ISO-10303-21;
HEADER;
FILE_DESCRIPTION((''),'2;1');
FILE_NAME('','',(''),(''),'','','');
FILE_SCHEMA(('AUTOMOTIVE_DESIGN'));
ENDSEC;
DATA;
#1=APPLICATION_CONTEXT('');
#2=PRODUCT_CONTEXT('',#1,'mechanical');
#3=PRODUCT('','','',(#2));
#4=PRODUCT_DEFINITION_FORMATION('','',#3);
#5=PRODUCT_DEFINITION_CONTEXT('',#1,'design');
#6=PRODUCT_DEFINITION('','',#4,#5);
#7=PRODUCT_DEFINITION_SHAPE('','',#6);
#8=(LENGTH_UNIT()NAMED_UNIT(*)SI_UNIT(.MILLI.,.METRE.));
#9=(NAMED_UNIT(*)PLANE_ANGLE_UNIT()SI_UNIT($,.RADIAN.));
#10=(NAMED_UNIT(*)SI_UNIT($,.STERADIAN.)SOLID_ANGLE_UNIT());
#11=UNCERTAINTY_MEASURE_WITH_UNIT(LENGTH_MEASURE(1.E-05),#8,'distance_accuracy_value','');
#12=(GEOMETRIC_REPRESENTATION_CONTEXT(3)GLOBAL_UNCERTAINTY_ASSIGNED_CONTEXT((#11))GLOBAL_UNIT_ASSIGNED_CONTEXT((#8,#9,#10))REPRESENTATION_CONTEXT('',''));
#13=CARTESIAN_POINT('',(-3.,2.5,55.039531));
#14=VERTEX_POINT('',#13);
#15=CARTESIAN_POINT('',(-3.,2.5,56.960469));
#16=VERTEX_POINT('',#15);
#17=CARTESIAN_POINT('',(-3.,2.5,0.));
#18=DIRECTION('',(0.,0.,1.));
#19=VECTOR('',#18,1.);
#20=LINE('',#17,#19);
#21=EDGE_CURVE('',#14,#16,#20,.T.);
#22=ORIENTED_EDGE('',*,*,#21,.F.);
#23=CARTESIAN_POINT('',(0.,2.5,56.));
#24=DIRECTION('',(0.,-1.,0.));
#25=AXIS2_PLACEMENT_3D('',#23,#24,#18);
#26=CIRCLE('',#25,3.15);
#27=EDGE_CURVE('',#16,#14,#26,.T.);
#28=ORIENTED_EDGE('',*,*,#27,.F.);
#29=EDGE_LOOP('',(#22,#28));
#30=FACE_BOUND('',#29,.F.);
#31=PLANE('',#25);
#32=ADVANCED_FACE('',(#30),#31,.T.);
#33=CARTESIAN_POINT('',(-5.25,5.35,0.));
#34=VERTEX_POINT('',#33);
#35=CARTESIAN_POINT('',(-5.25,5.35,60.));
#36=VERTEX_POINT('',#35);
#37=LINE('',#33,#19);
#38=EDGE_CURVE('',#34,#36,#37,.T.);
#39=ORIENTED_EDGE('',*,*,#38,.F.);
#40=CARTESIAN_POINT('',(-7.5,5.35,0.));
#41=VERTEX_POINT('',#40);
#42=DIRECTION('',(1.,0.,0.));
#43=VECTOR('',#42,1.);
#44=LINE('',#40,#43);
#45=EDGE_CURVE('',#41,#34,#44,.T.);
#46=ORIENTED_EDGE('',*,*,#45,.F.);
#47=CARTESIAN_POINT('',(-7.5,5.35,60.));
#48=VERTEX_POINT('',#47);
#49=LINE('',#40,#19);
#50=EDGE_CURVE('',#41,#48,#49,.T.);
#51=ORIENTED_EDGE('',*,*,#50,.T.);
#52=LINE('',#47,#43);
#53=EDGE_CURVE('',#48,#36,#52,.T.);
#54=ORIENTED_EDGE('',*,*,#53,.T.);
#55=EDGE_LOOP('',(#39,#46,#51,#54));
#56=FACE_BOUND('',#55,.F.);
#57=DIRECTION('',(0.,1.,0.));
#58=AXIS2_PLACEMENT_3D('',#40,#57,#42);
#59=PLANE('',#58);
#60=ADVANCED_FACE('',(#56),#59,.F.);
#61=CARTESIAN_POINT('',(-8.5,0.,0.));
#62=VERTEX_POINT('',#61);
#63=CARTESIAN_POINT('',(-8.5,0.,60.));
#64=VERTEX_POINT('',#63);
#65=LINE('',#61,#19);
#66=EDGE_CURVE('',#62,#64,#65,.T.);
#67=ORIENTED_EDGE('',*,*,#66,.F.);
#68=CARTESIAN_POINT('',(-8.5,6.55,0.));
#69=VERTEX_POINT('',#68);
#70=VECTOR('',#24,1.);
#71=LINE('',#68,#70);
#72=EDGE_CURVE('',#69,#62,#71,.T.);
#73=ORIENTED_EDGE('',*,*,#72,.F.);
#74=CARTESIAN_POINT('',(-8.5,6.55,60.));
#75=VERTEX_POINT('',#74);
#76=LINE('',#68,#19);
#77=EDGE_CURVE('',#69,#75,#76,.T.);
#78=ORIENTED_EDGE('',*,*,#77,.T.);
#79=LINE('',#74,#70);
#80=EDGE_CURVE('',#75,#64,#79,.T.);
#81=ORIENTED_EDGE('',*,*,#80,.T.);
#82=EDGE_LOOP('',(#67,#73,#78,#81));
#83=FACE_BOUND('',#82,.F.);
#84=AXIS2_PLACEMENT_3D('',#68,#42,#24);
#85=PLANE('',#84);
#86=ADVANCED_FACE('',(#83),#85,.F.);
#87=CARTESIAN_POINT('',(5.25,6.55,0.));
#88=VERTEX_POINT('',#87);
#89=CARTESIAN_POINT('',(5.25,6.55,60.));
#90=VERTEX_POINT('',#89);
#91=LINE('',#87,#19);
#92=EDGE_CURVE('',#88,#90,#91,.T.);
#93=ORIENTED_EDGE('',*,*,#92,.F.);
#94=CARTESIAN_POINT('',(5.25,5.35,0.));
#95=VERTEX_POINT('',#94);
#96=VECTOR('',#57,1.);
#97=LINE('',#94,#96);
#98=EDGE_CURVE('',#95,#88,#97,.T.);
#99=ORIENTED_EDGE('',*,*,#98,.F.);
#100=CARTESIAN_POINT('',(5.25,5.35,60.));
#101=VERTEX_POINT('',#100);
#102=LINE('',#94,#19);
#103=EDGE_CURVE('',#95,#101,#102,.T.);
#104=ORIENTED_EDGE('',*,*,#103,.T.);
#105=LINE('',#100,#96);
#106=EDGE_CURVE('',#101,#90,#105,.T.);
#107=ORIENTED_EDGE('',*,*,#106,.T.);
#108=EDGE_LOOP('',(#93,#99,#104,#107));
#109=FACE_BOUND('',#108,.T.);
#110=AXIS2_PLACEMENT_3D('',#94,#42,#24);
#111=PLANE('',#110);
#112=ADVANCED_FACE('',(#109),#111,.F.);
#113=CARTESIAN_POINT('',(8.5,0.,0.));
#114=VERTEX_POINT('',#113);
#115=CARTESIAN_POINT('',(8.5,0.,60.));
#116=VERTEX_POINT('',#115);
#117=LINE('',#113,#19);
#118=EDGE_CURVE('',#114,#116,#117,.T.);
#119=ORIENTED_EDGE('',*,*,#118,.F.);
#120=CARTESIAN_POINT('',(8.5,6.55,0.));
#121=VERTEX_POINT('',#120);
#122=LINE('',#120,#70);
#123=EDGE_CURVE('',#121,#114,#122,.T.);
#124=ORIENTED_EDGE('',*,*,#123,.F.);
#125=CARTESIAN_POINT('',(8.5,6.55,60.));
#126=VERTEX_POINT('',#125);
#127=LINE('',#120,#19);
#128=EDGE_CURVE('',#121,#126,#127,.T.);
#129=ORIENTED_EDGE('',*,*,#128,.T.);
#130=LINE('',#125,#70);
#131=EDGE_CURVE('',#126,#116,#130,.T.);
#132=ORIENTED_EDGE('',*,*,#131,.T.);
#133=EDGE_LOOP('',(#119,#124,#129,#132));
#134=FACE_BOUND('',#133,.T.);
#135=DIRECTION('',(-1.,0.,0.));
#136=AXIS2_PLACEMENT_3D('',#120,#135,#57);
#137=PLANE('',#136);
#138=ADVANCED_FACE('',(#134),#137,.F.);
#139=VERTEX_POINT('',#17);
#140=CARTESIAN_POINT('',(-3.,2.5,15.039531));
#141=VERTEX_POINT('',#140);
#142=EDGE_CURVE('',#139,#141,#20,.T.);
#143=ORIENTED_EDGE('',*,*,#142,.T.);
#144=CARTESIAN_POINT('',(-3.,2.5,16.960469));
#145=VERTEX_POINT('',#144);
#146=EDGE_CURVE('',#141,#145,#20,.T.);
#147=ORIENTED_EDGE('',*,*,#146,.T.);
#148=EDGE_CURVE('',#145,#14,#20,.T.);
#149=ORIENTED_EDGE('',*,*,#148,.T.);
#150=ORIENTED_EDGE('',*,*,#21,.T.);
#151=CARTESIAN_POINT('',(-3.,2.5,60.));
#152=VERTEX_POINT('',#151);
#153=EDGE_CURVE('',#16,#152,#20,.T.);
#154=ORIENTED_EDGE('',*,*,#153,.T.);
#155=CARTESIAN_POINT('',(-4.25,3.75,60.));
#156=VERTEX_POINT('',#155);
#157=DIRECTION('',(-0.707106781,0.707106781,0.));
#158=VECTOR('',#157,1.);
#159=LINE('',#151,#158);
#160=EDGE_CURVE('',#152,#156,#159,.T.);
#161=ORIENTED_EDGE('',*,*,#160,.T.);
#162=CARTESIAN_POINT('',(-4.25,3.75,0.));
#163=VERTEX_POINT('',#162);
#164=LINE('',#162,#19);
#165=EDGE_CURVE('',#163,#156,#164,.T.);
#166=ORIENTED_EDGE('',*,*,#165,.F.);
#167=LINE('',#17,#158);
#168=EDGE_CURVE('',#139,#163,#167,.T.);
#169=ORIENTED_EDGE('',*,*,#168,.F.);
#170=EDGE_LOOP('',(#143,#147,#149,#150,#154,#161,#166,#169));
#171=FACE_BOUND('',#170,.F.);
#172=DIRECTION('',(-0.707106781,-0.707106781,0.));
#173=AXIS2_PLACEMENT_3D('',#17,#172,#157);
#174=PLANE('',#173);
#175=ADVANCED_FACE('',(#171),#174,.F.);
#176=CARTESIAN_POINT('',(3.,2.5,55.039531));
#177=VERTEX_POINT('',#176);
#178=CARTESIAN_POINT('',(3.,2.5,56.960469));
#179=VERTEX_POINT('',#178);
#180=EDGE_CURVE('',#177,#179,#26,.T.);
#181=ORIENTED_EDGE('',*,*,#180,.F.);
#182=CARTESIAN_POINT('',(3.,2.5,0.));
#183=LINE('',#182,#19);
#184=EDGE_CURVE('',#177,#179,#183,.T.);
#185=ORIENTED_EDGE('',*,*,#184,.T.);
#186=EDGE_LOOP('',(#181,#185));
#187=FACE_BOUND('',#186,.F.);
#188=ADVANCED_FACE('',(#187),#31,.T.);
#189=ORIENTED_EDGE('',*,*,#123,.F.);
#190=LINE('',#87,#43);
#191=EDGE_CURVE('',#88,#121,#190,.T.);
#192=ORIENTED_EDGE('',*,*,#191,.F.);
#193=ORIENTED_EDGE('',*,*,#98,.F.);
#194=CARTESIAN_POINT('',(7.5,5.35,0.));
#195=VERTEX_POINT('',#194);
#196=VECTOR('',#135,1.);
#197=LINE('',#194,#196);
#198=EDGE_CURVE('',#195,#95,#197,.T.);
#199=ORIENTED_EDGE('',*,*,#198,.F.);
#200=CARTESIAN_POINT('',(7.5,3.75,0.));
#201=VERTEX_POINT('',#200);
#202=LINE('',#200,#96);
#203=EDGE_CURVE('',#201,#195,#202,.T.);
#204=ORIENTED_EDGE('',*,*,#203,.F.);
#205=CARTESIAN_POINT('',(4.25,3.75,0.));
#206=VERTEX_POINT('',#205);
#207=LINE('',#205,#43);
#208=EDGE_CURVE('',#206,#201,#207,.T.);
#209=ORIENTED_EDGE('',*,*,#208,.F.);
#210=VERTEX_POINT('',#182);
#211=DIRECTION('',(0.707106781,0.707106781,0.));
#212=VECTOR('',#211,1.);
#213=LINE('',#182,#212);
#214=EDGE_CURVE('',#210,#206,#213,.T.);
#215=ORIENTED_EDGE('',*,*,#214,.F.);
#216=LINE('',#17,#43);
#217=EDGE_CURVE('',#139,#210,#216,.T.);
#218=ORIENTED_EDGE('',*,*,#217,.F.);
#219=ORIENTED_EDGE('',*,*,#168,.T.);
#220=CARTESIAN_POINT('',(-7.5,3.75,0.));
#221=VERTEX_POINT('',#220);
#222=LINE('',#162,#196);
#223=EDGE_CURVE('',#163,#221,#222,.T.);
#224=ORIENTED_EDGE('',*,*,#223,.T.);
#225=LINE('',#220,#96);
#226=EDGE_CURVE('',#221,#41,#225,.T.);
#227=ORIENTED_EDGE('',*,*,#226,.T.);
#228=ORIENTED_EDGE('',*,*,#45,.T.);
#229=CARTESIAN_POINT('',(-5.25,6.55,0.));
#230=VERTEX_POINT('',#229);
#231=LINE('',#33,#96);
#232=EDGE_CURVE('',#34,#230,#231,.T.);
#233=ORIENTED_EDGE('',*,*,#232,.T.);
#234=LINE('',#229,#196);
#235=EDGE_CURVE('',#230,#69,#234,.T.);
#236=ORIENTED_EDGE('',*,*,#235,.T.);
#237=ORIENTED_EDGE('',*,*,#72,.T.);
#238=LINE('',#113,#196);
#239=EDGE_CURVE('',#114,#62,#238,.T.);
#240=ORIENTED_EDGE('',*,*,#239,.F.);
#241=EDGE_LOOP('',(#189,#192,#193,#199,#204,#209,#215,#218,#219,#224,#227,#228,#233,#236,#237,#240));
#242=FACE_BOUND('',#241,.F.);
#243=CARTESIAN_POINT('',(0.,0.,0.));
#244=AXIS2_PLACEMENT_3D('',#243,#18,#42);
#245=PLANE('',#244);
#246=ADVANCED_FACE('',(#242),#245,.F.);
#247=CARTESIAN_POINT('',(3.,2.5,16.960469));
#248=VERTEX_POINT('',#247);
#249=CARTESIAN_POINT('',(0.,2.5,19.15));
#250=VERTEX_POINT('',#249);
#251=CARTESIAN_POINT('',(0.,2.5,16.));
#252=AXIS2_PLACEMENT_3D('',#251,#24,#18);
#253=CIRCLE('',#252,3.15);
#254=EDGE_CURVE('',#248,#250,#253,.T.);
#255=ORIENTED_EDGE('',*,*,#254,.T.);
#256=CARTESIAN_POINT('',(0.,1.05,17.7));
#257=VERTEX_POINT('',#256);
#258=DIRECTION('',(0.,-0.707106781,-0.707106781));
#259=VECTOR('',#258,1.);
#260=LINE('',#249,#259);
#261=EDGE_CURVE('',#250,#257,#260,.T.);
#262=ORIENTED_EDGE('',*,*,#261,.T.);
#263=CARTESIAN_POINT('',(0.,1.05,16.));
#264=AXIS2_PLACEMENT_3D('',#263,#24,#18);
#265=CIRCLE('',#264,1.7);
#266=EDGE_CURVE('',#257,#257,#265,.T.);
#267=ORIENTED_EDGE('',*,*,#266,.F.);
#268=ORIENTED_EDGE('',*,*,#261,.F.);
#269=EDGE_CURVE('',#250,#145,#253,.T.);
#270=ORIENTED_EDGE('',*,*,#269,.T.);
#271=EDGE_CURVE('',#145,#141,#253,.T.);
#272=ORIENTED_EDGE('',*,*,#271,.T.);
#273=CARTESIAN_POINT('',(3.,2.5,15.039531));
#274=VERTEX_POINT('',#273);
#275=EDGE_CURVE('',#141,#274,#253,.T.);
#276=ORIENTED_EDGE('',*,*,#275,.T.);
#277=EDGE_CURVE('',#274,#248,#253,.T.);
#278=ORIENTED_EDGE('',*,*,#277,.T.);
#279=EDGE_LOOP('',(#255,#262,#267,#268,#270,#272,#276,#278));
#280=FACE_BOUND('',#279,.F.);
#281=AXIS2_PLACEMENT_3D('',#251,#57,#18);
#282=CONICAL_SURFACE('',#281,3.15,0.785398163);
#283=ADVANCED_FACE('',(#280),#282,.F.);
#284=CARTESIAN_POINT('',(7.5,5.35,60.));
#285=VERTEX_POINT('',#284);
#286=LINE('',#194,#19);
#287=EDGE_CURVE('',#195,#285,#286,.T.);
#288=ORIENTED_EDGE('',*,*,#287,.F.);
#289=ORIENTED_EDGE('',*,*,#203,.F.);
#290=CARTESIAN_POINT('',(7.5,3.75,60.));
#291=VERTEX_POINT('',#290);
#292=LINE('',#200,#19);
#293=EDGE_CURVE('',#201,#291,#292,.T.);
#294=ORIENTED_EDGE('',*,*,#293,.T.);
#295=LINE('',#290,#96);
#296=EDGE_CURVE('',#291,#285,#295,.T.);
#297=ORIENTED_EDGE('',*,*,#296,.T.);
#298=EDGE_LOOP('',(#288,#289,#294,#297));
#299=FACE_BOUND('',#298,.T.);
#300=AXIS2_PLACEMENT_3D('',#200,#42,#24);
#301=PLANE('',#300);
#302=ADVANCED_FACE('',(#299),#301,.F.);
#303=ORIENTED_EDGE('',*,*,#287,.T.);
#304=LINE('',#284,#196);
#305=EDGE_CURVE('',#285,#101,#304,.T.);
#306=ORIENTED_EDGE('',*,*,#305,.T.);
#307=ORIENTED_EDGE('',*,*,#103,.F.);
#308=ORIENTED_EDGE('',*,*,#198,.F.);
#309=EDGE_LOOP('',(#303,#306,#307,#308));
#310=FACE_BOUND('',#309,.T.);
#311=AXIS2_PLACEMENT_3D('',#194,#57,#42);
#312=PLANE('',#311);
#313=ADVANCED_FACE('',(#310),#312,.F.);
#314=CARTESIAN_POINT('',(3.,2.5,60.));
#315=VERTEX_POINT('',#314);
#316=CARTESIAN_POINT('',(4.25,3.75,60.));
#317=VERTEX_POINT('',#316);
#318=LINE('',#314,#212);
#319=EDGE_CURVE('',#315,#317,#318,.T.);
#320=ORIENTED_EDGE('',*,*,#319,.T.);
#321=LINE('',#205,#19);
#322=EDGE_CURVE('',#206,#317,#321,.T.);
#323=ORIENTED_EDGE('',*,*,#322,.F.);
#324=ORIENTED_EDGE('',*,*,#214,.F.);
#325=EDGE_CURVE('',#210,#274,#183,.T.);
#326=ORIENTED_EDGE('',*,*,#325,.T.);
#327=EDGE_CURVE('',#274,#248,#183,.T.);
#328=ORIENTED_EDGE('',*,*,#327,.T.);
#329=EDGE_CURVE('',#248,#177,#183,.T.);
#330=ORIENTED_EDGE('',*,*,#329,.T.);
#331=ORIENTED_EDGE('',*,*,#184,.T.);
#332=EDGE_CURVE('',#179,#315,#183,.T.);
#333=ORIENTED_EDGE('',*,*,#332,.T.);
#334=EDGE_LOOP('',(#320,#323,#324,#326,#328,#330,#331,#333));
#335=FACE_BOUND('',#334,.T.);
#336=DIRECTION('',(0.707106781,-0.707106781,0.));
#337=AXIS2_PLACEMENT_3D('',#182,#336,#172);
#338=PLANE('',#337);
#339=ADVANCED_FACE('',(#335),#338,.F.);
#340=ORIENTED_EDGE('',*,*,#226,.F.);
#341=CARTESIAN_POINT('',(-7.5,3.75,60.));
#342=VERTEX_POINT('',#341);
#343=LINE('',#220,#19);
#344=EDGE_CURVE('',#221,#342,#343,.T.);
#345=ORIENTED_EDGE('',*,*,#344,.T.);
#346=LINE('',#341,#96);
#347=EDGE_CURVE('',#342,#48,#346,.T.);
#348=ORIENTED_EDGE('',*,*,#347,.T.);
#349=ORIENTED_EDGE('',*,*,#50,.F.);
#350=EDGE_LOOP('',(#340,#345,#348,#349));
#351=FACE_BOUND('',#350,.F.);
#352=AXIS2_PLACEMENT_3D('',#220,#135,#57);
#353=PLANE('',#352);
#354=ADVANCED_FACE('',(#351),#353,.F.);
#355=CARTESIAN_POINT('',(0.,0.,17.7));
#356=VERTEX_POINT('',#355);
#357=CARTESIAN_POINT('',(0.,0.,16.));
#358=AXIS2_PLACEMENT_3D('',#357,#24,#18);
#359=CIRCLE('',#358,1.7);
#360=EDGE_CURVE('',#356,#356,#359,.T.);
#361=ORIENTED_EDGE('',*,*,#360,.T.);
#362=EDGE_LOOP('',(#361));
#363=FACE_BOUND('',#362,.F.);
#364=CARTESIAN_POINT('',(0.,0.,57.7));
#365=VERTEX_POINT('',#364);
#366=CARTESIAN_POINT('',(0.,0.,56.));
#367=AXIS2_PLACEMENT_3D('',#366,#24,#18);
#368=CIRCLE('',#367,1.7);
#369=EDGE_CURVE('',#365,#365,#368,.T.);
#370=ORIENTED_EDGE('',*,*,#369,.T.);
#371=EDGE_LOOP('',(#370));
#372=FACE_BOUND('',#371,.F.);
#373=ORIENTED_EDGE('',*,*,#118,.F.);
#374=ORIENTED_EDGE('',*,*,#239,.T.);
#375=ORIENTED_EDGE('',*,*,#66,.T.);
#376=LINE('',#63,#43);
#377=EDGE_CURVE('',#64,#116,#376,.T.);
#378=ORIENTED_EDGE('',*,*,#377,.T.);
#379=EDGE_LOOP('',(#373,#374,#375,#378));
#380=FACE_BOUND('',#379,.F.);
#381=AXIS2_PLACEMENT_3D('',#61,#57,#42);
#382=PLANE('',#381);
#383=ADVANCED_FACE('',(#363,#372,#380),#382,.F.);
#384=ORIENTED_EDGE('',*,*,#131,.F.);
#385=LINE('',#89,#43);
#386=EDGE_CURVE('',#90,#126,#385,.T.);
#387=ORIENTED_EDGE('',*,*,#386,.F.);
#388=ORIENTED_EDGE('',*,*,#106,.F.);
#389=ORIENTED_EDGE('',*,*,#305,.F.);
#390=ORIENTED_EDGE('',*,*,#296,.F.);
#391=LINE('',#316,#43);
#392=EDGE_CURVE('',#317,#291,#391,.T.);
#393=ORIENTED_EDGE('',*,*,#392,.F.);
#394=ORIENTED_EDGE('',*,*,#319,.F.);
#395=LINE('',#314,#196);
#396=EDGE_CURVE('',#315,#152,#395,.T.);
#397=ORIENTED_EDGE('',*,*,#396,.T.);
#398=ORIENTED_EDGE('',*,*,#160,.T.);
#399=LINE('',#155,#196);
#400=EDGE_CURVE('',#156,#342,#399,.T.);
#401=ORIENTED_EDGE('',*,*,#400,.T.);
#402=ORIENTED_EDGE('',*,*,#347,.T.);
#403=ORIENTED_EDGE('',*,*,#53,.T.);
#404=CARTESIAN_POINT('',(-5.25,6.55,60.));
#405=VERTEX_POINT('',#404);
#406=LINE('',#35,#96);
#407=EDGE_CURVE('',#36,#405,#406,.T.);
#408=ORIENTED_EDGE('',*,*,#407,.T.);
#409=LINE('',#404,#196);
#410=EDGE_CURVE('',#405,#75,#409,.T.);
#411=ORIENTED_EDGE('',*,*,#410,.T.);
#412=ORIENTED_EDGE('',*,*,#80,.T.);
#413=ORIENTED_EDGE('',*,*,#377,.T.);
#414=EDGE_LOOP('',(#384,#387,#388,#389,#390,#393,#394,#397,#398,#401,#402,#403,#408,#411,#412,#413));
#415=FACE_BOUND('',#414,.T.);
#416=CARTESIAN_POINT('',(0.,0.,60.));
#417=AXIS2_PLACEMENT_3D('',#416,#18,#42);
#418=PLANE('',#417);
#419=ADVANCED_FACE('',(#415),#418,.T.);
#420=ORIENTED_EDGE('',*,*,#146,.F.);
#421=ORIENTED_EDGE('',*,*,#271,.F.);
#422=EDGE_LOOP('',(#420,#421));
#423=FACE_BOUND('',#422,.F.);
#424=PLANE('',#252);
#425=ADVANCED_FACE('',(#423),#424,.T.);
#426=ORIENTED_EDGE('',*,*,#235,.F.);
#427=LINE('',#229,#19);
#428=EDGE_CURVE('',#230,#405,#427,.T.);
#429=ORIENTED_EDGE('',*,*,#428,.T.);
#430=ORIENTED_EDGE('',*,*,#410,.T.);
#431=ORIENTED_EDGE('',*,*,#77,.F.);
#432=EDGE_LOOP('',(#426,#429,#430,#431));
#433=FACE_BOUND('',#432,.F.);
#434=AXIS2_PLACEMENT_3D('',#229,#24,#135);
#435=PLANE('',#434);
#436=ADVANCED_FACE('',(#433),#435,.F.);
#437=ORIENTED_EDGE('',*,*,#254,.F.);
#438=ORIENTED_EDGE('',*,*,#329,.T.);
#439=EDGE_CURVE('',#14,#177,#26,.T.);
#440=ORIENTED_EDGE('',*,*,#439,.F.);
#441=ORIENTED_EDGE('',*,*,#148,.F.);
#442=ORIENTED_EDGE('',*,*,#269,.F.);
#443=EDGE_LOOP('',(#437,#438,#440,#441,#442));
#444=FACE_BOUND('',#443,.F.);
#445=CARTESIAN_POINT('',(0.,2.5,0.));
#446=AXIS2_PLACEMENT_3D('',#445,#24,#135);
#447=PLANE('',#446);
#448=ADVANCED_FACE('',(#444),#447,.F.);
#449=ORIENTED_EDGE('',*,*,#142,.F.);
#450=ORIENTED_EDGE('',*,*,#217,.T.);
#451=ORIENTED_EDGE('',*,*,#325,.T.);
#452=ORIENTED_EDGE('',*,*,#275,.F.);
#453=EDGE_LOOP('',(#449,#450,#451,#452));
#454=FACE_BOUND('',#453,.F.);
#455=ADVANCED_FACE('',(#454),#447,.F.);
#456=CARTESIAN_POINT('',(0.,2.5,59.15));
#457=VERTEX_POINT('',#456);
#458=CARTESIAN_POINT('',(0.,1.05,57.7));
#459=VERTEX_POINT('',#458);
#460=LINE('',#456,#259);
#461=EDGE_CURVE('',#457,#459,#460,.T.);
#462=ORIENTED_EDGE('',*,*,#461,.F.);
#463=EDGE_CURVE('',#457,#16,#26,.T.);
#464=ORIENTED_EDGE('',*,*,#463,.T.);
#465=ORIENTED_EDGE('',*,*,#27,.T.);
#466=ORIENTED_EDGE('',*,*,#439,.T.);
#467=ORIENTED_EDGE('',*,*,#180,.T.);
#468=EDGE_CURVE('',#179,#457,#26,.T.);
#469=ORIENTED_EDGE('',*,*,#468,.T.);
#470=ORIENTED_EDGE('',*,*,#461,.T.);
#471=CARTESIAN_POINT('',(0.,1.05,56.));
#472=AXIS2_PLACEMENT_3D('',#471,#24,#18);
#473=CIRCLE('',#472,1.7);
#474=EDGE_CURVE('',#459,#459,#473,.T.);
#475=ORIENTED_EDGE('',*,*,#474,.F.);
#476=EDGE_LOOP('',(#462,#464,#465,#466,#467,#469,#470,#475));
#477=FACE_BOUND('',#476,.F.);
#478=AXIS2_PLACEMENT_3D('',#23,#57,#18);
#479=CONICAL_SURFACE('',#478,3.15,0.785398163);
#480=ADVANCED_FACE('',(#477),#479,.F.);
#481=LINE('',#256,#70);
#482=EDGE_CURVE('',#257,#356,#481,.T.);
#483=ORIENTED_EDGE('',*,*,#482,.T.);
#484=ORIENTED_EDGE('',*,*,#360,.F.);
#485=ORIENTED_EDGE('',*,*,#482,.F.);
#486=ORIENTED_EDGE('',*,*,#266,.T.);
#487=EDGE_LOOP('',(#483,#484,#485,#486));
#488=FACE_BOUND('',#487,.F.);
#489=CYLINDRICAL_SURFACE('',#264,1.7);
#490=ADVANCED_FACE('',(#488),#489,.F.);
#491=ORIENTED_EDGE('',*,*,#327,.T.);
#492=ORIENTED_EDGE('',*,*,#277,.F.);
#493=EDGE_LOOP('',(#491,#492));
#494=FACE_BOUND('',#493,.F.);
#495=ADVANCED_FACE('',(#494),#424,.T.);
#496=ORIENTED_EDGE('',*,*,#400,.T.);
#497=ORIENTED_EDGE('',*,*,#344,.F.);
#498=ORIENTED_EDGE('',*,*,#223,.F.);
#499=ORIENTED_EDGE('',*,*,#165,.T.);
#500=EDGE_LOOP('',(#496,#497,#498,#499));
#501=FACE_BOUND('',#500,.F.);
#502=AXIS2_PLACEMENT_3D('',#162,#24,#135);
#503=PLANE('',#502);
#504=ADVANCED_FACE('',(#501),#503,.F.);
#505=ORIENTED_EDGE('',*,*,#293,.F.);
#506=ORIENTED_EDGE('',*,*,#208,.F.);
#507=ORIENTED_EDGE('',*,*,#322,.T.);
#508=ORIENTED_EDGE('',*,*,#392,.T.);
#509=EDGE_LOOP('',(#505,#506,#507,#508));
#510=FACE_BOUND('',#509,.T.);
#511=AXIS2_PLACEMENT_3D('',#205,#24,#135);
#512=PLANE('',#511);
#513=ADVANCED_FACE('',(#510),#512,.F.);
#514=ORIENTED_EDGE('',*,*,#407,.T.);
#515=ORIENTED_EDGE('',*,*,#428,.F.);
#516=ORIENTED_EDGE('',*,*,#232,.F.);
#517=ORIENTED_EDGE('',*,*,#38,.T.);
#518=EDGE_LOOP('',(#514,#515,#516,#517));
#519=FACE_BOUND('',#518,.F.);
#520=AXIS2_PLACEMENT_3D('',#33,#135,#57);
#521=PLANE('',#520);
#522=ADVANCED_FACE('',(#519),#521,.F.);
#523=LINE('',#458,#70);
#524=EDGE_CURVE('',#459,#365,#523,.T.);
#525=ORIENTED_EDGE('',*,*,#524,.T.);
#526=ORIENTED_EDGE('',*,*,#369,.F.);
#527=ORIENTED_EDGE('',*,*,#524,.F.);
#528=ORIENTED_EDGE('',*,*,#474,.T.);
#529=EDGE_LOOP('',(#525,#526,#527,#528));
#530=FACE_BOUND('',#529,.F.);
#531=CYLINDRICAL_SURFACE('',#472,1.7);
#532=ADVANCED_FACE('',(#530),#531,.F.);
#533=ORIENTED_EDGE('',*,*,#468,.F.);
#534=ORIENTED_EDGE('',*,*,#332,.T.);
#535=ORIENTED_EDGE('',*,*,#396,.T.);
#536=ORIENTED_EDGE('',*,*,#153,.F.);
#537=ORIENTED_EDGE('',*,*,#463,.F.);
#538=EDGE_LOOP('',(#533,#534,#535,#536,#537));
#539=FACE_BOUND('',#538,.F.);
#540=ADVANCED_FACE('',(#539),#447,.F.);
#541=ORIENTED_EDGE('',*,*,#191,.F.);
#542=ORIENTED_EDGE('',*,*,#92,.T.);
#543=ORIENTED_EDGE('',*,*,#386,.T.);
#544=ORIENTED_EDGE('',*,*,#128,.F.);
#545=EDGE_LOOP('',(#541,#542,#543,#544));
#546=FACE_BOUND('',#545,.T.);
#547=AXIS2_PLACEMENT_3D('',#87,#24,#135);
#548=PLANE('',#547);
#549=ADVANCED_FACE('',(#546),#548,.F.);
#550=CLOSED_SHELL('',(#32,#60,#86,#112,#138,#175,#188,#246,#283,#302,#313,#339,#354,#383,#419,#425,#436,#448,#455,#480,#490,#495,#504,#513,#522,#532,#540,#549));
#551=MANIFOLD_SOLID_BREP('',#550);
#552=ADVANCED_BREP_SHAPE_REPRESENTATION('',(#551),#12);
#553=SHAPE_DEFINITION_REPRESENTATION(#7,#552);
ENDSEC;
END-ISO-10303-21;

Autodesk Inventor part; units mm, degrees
ref_plane "YZ Plane" through (0, 0, 0) normal (1, 0, 0) x (0, 1, 0)
ref_plane "XZ Plane" through (0, 0, 0) normal (0, 1, 0) x (-1, 0, 0)
ref_plane "XY Plane" through (0, 0, 0) normal (0, 0, 1) x (1, 0, 0)
sketch "Skizze1" plane through (0, 0, 0) normal (0, 0, 1) x (1, 0, 0)
  line L0 (-7.5, 5.35) -> (-5.25, 5.35)
  line L1 (-5.25, 5.35) -> (-5.25, 6.55)
  line L2 (-5.25, 6.55) -> (-8.5, 6.55)
  line L3 (-8.5, 6.55) -> (-8.5, 0)
  line L4 (-8.5, 0) -> (0, 0)
  line L5 (0, 0) -> (0, 2.5)
  line L6 (-4.25, 3.75) -> (-7.5, 3.75)
  line L7 (-7.5, 3.75) -> (-7.5, 5.35)
  line L8 (0, 2.5) -> (-3, 2.5)
  line L9 (-3, 2.5) -> (-4.25, 3.75)
  dimension "d0" = 8.5
  dimension "d1" = 1.6
  dimension "d2" = 7.5
  dimension "d3" = 1.2
  dimension "d4" = 5.25
  dimension "d5" = 6.55
  dimension "d10" = 135
  dimension "d11" = 3
  dimension "d12" = 2.5
extrude "Extrusion1" add sketch "Skizze1" along normal blind 60
mirror "Spiegeln1" about plane through (0, 0, 0) normal (1, 0, 0) of "Extrusion1"
sketch "Skizze2" plane through (-3, 2.5, 60) normal (0, 1, 0) x (1, 0, 0)
  line L0 (3, 72) -> (3, -12) projected
  line L1 (0, 0) -> (6, 0) projected
  point P0 (3, 60)
  point P1 (3, 4)
  point P2 (3, 0)
  point P3 (3, 44)
  dimension "d13" = 4
  dimension "d14" = 40
hole "Bohrung1" at (0, 2.5, 56) at (0, 2.5, 16) direction (0, -1, 0) diameter 3.4 depth 2.5 countersink diameter 6.3 countersink angle 90 clearance for "Flachkopfmaschinenschraube" size "M3" standard "ANSI Metrisches M Profil"
properties part number "igus_schine"
